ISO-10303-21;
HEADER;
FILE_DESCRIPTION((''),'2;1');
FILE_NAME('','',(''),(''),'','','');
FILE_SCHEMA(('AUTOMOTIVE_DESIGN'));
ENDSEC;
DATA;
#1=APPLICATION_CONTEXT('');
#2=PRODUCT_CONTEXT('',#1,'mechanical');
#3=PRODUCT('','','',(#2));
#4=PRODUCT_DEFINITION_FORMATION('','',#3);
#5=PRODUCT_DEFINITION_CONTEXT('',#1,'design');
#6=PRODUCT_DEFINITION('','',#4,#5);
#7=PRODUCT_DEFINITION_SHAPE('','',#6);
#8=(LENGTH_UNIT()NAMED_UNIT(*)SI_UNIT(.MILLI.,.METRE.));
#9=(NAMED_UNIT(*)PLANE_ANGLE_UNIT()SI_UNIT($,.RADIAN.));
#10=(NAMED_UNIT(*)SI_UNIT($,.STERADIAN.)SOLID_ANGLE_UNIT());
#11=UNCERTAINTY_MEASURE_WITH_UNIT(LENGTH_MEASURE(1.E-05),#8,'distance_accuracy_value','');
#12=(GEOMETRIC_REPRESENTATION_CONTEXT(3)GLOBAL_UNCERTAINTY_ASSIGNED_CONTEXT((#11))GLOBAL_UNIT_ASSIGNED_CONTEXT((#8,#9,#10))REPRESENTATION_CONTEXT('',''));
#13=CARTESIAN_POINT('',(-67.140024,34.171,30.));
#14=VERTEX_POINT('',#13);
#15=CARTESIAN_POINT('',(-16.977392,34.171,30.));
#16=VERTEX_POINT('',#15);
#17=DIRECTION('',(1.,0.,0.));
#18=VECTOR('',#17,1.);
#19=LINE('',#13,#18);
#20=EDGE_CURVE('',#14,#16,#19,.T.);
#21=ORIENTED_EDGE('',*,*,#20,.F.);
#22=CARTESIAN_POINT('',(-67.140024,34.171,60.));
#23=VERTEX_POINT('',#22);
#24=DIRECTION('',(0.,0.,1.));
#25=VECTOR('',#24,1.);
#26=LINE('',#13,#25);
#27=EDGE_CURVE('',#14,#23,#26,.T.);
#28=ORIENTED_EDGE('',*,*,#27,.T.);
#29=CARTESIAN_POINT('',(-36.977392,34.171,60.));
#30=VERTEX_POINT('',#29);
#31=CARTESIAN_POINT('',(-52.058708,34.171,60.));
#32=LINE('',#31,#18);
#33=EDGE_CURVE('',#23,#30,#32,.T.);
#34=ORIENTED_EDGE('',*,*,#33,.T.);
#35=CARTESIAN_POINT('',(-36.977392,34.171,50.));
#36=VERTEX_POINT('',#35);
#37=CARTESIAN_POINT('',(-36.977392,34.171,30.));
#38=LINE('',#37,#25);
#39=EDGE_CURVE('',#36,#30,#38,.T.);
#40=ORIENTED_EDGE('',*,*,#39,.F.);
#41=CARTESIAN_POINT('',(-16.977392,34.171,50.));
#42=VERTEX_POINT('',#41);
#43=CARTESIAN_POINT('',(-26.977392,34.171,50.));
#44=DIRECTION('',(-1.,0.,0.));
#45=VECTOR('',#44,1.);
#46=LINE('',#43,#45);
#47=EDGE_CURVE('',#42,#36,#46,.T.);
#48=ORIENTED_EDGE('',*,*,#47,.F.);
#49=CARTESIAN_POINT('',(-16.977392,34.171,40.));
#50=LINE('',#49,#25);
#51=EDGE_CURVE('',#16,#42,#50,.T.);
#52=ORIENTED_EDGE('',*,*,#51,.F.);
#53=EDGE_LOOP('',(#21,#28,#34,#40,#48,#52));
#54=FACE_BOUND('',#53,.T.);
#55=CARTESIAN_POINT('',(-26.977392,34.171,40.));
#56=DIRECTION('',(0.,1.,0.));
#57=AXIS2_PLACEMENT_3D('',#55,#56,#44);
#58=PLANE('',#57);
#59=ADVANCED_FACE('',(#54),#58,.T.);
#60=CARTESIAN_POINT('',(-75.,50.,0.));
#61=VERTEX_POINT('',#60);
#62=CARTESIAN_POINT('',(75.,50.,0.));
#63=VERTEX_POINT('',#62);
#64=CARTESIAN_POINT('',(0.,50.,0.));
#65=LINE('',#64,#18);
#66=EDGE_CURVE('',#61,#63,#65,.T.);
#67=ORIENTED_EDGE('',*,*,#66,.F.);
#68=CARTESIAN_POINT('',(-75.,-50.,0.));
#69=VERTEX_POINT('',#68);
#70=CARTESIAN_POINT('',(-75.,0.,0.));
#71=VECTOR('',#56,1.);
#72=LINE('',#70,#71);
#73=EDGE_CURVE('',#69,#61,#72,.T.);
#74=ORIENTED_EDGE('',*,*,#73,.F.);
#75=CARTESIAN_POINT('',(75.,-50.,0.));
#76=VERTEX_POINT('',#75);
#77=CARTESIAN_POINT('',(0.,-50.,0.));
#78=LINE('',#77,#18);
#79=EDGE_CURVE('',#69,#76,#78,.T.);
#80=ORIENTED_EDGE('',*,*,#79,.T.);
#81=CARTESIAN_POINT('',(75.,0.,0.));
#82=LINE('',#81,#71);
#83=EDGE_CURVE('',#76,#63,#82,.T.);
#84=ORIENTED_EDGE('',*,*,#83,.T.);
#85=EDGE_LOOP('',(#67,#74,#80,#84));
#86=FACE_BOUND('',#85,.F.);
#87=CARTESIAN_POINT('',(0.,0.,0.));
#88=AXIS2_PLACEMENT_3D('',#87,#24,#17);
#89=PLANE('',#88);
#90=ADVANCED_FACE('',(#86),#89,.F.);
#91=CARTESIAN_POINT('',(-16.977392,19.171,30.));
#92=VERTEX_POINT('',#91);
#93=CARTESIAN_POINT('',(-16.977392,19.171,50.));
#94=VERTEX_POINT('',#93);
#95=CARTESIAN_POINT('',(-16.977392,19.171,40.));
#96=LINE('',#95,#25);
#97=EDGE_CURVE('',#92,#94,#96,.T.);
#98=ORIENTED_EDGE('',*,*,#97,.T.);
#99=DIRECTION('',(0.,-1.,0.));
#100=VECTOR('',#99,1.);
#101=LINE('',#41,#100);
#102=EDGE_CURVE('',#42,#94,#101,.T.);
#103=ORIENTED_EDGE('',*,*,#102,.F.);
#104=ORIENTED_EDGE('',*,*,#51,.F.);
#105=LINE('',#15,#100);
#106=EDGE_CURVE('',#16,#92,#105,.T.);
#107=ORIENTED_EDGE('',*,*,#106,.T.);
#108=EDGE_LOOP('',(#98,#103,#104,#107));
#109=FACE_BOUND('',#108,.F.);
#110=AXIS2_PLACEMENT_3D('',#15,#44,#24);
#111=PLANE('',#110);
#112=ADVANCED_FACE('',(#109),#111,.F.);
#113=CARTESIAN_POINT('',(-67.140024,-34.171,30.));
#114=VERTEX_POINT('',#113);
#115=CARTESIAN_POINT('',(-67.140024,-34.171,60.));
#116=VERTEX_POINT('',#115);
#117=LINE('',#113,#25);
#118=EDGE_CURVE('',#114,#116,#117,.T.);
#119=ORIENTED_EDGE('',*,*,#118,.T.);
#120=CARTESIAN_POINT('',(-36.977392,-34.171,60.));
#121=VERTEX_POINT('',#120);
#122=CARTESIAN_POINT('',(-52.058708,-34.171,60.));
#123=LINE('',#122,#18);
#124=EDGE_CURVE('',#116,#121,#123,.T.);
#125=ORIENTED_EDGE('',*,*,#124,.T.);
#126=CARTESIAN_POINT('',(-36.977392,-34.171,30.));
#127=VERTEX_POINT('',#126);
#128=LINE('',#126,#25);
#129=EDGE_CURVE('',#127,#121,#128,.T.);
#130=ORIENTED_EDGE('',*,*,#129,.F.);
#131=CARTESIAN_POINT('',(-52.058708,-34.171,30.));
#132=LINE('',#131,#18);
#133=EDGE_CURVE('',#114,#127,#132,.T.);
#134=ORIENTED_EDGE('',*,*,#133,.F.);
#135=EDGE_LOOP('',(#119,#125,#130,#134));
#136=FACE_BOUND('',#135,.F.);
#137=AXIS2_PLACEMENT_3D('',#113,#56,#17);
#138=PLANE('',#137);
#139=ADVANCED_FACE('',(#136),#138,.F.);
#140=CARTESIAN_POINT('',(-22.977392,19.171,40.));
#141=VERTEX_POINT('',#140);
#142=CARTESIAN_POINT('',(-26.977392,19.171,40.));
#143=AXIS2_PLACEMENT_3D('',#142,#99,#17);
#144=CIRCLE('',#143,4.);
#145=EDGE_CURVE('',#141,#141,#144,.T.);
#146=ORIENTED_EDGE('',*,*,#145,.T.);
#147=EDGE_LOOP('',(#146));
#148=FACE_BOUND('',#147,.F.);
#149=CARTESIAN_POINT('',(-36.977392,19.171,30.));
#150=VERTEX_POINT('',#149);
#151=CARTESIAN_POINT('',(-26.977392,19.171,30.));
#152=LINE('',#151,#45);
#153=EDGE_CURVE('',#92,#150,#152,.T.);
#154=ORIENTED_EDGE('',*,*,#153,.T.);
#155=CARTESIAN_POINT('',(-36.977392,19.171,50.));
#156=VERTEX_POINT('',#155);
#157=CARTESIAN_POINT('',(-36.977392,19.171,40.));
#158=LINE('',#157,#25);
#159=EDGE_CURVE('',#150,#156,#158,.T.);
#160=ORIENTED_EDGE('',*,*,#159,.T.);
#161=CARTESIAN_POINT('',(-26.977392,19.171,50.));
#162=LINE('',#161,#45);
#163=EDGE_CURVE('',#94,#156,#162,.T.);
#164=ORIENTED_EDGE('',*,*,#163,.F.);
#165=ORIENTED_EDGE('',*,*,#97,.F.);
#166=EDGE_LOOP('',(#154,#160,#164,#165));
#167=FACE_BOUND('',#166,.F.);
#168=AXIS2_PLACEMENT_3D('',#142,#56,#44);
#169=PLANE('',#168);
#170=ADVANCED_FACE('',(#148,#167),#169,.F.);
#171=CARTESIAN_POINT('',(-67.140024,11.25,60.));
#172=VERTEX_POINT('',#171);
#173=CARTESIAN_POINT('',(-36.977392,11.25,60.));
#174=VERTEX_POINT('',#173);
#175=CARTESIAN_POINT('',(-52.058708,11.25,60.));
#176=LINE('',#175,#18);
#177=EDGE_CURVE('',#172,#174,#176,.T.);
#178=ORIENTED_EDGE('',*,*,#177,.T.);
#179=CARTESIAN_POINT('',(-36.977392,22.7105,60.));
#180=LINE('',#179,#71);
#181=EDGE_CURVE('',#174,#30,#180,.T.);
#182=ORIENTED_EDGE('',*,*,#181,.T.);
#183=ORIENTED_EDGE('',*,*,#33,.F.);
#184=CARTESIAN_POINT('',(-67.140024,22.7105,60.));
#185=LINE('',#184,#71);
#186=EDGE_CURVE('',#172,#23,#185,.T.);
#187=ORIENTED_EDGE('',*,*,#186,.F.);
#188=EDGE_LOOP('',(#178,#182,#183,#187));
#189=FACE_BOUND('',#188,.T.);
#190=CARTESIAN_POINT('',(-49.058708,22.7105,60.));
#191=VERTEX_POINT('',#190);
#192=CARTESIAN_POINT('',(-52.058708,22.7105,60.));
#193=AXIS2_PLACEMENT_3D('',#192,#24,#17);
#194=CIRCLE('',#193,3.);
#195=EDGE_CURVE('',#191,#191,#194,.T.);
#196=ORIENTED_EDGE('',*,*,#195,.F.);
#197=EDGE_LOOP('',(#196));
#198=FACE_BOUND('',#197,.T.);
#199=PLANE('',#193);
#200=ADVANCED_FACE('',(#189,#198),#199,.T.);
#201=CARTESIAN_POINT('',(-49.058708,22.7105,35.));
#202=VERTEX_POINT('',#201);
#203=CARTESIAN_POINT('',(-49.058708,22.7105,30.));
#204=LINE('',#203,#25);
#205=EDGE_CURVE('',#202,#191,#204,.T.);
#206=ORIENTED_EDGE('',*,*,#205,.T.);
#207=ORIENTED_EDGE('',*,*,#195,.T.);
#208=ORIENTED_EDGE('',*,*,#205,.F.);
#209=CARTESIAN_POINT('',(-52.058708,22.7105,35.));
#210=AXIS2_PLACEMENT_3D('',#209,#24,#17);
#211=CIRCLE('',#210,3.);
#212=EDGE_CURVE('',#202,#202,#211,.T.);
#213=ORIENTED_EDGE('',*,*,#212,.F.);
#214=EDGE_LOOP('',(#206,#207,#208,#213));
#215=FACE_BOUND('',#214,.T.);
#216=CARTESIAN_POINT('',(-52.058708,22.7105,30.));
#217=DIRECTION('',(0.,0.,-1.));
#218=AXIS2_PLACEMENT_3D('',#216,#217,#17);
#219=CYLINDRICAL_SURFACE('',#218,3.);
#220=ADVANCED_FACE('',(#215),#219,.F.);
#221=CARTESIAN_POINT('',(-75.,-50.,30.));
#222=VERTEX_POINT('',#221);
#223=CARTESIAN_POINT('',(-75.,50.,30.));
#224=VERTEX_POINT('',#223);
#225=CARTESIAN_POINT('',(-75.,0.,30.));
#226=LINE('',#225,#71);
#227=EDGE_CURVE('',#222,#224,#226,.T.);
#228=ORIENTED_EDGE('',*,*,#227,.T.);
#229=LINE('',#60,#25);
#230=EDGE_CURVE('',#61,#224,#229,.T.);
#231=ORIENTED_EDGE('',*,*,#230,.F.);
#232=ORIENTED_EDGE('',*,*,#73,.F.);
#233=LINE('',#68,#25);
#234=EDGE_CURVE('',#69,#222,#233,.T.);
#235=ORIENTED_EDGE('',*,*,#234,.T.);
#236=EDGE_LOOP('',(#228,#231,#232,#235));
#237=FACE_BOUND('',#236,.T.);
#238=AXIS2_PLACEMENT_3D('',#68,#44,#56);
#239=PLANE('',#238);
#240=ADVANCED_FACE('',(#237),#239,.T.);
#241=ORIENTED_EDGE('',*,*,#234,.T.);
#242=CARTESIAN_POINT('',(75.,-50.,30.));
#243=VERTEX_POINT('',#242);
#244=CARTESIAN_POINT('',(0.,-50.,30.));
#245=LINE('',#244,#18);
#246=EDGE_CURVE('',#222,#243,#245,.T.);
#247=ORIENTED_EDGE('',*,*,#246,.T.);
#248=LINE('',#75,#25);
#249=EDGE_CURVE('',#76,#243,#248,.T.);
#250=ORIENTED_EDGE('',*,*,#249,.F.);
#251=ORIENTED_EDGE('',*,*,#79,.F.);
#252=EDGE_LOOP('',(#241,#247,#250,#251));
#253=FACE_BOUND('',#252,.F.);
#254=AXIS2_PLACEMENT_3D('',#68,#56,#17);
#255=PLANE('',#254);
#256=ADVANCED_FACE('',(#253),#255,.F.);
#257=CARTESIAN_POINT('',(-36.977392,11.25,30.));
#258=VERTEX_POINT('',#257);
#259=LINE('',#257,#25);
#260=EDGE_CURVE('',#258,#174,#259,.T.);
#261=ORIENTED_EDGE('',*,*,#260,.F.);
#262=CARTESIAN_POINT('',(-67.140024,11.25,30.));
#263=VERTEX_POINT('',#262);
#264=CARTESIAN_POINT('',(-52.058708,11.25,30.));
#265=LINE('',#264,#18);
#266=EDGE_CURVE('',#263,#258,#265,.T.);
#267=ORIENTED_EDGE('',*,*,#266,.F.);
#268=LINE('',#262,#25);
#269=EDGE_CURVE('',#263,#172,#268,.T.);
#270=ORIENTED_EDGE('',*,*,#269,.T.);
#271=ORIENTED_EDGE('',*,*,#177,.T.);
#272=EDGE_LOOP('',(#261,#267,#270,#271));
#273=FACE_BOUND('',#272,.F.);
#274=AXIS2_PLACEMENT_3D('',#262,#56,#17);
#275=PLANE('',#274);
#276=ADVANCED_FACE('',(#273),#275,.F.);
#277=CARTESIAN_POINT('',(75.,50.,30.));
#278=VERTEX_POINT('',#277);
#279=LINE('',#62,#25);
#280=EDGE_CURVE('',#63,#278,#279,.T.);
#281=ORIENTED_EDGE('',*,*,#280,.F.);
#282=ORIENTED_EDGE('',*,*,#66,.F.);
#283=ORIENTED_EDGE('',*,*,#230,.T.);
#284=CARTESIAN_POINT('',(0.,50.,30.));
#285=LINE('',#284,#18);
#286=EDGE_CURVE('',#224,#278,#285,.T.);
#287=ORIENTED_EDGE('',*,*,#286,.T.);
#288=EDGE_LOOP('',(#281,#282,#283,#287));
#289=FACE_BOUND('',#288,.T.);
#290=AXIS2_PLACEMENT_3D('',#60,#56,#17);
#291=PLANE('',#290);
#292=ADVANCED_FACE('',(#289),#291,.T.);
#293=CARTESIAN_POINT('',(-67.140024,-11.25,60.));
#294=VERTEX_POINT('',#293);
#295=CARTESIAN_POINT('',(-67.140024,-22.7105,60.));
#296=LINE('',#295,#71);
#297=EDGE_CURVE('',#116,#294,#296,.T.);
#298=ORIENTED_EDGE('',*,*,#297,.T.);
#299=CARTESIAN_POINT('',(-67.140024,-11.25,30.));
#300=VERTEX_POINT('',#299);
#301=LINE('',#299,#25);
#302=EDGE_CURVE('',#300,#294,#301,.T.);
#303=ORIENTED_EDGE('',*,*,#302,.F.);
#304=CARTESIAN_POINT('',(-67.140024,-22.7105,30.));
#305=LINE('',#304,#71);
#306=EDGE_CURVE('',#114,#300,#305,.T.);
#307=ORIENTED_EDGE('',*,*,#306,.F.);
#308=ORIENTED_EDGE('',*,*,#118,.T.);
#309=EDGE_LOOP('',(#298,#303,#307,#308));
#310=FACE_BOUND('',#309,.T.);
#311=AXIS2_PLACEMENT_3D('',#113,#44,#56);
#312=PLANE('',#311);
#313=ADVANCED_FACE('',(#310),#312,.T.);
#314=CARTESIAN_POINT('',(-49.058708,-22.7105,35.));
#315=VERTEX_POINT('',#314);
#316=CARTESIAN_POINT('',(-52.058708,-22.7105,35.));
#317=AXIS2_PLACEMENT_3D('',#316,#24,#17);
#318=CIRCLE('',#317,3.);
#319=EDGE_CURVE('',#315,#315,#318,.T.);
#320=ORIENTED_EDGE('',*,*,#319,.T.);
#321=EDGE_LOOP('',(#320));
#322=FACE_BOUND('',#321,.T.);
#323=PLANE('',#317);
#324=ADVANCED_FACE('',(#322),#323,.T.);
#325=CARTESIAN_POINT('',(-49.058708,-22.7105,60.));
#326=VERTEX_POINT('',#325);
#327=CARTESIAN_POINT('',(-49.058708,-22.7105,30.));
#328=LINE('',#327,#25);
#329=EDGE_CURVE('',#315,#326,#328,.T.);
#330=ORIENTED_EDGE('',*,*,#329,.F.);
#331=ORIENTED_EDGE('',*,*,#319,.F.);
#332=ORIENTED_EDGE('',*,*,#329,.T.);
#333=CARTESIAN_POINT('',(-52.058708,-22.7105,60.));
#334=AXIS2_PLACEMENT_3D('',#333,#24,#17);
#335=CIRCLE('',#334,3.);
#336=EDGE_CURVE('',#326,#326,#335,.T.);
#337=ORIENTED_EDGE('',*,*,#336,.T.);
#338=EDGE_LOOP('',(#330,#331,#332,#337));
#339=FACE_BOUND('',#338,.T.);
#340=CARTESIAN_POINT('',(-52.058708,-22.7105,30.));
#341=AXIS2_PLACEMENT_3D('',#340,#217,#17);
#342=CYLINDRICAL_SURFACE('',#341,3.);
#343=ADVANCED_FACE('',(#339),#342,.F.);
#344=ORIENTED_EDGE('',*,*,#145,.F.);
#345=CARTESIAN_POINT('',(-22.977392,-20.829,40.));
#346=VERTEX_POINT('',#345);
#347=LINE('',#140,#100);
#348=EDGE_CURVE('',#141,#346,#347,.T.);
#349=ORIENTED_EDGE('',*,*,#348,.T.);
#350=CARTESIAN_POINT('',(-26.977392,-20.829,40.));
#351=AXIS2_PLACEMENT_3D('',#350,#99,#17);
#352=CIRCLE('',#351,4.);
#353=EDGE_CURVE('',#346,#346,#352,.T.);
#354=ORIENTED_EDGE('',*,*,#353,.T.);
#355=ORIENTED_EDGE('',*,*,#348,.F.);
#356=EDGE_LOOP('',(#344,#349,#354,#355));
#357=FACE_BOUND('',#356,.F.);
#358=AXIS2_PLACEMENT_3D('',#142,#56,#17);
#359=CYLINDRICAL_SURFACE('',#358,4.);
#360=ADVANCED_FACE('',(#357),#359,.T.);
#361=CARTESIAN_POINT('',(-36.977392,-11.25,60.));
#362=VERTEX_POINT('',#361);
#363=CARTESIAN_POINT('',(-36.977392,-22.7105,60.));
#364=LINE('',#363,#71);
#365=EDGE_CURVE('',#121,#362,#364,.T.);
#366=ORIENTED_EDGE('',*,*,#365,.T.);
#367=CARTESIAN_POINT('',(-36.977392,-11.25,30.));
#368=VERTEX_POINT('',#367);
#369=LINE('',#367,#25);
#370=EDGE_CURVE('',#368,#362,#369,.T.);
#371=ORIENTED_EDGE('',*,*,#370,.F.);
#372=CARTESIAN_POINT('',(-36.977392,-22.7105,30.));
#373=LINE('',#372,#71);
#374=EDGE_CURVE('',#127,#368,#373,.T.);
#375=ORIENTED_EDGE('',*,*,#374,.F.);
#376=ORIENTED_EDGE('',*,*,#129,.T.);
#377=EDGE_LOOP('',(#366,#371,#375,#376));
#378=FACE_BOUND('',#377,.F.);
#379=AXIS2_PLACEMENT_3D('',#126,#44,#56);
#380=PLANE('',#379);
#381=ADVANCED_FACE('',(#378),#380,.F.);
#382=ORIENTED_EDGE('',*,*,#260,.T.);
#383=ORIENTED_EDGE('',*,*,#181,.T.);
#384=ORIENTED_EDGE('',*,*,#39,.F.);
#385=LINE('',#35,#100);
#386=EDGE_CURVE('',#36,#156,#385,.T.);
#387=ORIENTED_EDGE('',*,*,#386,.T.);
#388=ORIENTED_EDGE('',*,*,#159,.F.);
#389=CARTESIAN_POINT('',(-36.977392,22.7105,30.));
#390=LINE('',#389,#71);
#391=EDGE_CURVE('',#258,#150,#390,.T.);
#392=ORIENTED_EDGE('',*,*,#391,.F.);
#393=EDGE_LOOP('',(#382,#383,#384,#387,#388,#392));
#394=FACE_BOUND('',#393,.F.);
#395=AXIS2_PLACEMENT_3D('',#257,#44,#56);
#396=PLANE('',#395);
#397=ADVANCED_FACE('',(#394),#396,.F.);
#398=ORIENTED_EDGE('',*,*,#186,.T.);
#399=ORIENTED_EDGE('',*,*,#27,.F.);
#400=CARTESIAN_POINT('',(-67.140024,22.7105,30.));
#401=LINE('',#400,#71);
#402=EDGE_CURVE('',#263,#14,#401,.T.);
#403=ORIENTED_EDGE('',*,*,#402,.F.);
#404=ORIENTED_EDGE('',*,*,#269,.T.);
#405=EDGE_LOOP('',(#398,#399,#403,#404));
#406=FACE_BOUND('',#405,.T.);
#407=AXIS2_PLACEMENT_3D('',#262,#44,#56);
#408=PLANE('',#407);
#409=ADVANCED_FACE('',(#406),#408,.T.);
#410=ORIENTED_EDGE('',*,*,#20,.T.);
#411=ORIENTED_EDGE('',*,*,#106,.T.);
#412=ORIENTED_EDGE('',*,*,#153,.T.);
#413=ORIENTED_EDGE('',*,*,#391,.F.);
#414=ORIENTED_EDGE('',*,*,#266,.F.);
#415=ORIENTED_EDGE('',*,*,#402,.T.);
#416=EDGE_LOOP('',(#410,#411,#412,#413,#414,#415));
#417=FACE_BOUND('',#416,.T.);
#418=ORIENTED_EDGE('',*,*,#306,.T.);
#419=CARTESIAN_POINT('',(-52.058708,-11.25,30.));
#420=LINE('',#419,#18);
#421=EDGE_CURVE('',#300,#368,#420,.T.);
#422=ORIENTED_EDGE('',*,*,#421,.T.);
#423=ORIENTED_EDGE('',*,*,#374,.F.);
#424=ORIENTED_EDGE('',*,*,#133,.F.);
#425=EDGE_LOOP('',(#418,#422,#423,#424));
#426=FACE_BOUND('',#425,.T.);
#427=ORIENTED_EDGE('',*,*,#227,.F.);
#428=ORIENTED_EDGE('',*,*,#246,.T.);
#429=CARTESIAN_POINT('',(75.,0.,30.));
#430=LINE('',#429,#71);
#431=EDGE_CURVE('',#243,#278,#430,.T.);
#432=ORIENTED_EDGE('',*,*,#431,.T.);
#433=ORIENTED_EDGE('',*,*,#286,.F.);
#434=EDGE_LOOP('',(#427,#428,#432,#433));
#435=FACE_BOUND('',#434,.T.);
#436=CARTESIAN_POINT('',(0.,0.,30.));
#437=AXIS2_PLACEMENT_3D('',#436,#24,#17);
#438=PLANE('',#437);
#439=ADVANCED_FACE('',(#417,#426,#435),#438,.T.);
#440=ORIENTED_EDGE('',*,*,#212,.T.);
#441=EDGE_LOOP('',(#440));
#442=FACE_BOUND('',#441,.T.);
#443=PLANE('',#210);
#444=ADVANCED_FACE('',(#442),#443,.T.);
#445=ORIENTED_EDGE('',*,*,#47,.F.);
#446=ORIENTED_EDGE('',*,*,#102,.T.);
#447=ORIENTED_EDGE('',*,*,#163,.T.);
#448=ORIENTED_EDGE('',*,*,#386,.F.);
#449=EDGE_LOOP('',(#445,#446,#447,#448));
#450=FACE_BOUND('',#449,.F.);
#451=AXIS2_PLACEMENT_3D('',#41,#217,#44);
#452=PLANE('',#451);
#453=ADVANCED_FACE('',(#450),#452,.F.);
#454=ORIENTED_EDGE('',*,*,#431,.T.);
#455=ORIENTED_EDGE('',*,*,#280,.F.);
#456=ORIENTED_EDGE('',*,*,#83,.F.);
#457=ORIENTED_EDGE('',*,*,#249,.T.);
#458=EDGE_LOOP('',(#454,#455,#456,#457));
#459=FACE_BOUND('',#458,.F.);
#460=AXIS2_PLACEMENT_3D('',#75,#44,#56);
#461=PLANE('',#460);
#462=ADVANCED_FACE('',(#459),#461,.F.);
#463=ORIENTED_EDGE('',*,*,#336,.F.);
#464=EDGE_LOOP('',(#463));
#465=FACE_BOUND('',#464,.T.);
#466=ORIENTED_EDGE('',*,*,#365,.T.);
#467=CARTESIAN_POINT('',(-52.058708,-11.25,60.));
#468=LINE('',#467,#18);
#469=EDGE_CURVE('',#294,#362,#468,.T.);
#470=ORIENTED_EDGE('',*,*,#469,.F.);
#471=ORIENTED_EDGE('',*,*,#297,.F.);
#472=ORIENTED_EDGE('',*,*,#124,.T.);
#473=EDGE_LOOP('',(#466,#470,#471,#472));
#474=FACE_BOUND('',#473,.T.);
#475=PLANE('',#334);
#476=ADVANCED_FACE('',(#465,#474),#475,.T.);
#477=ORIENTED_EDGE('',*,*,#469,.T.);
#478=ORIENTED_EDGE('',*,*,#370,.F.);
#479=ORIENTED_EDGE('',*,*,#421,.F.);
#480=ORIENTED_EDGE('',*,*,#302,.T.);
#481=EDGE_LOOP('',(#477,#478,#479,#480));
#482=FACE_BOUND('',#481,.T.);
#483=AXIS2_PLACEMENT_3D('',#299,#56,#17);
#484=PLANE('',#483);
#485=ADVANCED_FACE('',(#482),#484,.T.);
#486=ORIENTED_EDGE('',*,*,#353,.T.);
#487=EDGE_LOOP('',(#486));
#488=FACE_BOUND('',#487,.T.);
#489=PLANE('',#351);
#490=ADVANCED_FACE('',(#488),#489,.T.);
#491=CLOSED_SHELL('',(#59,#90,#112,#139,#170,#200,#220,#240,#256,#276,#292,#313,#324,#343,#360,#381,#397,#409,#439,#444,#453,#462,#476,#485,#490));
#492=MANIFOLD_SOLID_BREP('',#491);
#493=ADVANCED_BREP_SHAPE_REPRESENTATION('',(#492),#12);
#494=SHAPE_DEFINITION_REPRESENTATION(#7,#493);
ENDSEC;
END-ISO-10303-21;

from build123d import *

# Parameters (mm, degrees)
F0_W     = 150
F0_H     = 100
F1_DEPTH = 30
F2_R     = 3
F3_DEPTH = 5
F2_W     = 30.162632
F2_H     = 22.921
F4_DEPTH = 30
F5_W     = 20
F5_H     = 20
F6_DEPTH = 15
F7_R     = 4
F8_DEPTH = 40


with BuildPart() as f1:
    # F0 (on Top) → F1 (new body)
    with BuildSketch(Plane.XY):
        Rectangle(F0_W, F0_H)
    extrude(amount=F1_DEPTH)

    # F2 (on face) → F3 (join)
    with BuildSketch(Plane.XY.offset(30)):
        with Locations((-52.058708, -22.7105)):
            Circle(F2_R)
        with Locations((-52.058708, 22.7105)):
            Circle(F2_R)
    extrude(amount=F3_DEPTH)

    # F2 (on face) → F4 (join)
    with BuildSketch(Plane.XY.offset(30)):
        with Locations((-52.058708, 22.7105)):
            Rectangle(F2_W, F2_H)
        with Locations((-52.058708, 22.7105)):
            Circle(F2_R, mode=Mode.SUBTRACT)
        with Locations((-52.058708, -22.7105)):
            Rectangle(F2_W, F2_H)
        with Locations((-52.058708, -22.7105)):
            Circle(F2_R, mode=Mode.SUBTRACT)
    extrude(amount=F4_DEPTH)

    # F5 (on face) → F6 (join)
    with BuildSketch(Plane(origin=(0, 34.171, 0), x_dir=(-1, 0, 0), z_dir=(0, 1, 0))):
        with Locations((26.977392, 40)):
            Rectangle(F5_W, F5_H)
    extrude(amount=-F6_DEPTH)

    # F7 (on face) → F8 (join)
    with BuildSketch(Plane.XZ.offset(-19.171)):
        with Locations((-26.977392, 40)):
            Circle(F7_R)
    extrude(amount=F8_DEPTH)


solid = f1.part
